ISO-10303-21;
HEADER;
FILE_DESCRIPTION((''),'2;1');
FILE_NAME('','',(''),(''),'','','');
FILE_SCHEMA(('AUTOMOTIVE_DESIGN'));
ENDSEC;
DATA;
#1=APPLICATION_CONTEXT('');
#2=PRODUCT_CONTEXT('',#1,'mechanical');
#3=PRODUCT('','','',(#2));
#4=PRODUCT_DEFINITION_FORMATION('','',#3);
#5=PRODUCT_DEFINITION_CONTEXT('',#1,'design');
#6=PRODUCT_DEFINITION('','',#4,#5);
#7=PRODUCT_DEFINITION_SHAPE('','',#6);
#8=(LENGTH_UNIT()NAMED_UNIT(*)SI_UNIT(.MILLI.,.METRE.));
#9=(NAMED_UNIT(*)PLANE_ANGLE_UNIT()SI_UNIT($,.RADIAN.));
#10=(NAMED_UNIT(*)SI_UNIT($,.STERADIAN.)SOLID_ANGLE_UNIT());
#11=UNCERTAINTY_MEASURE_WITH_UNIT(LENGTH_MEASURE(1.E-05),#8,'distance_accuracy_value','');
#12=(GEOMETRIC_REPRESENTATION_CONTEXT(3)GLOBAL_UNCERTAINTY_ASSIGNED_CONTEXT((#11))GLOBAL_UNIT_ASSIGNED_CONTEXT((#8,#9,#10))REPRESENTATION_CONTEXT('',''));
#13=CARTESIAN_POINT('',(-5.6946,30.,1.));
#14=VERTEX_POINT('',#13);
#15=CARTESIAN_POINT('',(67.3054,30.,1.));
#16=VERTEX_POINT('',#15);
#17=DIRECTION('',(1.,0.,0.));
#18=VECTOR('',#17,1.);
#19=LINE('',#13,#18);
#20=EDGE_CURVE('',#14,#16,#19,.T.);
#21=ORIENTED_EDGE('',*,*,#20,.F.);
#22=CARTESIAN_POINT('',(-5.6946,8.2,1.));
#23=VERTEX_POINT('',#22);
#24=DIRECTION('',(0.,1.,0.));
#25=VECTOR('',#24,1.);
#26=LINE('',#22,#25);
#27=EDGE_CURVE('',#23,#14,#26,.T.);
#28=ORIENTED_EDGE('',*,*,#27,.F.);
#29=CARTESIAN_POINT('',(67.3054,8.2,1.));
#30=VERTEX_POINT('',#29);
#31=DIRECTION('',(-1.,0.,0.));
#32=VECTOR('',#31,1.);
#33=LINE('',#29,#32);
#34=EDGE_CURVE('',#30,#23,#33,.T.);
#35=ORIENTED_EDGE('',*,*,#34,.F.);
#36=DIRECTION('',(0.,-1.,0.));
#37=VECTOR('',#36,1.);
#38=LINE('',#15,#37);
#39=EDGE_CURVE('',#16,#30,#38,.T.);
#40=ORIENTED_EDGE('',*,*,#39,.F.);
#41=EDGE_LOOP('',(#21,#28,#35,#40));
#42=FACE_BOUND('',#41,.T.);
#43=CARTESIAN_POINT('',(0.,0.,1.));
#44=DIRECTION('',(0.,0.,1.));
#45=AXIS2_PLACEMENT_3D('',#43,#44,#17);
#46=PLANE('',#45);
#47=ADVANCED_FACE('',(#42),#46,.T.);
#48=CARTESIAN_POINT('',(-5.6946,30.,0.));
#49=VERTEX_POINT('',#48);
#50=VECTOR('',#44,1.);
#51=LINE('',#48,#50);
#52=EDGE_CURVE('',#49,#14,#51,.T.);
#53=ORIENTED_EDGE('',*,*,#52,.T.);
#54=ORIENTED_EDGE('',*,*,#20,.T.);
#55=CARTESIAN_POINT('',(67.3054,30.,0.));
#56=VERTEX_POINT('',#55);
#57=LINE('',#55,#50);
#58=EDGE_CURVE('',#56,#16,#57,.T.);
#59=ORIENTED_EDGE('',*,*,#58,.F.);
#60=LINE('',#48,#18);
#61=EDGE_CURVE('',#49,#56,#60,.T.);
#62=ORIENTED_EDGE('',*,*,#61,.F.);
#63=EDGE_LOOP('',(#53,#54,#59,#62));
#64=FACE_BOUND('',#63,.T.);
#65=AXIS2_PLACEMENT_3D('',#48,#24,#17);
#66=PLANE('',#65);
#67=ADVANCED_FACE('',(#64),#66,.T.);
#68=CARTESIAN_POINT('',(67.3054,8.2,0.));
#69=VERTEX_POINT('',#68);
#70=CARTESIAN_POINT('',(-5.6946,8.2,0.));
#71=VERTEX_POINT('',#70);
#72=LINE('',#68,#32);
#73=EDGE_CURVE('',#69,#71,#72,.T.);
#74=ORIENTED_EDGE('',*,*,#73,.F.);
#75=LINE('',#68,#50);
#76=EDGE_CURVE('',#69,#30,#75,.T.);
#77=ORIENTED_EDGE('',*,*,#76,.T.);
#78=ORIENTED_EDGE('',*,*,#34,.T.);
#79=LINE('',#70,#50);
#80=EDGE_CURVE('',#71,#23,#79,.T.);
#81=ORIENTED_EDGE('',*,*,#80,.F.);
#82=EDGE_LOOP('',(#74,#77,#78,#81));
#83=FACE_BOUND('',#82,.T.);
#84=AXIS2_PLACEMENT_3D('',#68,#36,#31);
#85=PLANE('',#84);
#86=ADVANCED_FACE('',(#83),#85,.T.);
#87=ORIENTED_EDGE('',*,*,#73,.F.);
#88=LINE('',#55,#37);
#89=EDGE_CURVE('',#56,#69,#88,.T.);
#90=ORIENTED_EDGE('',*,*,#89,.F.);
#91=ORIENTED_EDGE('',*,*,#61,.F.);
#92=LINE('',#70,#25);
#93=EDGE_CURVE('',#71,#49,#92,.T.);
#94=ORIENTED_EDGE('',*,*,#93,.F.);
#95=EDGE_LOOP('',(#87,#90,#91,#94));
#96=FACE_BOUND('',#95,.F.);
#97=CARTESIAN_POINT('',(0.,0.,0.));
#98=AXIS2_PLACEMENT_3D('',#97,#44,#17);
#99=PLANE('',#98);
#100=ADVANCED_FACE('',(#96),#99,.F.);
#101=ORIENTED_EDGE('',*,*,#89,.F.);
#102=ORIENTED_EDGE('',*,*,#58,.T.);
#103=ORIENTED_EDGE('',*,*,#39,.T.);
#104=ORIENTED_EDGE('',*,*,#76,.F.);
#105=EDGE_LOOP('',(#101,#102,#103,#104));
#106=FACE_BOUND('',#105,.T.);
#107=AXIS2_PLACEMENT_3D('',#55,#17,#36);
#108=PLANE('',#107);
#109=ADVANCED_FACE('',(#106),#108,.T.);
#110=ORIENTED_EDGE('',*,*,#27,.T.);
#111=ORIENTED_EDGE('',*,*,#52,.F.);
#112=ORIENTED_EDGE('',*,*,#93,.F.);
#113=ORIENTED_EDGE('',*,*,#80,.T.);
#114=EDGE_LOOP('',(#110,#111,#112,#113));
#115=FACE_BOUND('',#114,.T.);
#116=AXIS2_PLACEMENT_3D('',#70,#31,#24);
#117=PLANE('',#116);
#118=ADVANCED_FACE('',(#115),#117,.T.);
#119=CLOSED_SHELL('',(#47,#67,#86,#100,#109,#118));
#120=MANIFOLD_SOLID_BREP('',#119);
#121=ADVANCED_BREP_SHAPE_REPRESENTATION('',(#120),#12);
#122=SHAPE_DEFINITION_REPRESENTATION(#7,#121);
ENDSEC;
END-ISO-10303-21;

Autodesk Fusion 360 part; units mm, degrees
sketch "Esquisse1" plane through (0, 0, 0) normal (0, 0, 1) x (1, 0, 0)
  line L0 (-5.6946, 30) -> (67.3054, 30)
  line L1 (67.3054, 30) -> (67.3054, 8.2)
  line L2 (67.3054, 8.2) -> (-5.6946, 8.2)
  line L3 (-5.6946, 8.2) -> (-5.6946, 30)
  dimension "d1" = 73
  dimension "d2" = 21.8
extrude "Extrusion1" add sketch "Esquisse1" along normal blind 1
